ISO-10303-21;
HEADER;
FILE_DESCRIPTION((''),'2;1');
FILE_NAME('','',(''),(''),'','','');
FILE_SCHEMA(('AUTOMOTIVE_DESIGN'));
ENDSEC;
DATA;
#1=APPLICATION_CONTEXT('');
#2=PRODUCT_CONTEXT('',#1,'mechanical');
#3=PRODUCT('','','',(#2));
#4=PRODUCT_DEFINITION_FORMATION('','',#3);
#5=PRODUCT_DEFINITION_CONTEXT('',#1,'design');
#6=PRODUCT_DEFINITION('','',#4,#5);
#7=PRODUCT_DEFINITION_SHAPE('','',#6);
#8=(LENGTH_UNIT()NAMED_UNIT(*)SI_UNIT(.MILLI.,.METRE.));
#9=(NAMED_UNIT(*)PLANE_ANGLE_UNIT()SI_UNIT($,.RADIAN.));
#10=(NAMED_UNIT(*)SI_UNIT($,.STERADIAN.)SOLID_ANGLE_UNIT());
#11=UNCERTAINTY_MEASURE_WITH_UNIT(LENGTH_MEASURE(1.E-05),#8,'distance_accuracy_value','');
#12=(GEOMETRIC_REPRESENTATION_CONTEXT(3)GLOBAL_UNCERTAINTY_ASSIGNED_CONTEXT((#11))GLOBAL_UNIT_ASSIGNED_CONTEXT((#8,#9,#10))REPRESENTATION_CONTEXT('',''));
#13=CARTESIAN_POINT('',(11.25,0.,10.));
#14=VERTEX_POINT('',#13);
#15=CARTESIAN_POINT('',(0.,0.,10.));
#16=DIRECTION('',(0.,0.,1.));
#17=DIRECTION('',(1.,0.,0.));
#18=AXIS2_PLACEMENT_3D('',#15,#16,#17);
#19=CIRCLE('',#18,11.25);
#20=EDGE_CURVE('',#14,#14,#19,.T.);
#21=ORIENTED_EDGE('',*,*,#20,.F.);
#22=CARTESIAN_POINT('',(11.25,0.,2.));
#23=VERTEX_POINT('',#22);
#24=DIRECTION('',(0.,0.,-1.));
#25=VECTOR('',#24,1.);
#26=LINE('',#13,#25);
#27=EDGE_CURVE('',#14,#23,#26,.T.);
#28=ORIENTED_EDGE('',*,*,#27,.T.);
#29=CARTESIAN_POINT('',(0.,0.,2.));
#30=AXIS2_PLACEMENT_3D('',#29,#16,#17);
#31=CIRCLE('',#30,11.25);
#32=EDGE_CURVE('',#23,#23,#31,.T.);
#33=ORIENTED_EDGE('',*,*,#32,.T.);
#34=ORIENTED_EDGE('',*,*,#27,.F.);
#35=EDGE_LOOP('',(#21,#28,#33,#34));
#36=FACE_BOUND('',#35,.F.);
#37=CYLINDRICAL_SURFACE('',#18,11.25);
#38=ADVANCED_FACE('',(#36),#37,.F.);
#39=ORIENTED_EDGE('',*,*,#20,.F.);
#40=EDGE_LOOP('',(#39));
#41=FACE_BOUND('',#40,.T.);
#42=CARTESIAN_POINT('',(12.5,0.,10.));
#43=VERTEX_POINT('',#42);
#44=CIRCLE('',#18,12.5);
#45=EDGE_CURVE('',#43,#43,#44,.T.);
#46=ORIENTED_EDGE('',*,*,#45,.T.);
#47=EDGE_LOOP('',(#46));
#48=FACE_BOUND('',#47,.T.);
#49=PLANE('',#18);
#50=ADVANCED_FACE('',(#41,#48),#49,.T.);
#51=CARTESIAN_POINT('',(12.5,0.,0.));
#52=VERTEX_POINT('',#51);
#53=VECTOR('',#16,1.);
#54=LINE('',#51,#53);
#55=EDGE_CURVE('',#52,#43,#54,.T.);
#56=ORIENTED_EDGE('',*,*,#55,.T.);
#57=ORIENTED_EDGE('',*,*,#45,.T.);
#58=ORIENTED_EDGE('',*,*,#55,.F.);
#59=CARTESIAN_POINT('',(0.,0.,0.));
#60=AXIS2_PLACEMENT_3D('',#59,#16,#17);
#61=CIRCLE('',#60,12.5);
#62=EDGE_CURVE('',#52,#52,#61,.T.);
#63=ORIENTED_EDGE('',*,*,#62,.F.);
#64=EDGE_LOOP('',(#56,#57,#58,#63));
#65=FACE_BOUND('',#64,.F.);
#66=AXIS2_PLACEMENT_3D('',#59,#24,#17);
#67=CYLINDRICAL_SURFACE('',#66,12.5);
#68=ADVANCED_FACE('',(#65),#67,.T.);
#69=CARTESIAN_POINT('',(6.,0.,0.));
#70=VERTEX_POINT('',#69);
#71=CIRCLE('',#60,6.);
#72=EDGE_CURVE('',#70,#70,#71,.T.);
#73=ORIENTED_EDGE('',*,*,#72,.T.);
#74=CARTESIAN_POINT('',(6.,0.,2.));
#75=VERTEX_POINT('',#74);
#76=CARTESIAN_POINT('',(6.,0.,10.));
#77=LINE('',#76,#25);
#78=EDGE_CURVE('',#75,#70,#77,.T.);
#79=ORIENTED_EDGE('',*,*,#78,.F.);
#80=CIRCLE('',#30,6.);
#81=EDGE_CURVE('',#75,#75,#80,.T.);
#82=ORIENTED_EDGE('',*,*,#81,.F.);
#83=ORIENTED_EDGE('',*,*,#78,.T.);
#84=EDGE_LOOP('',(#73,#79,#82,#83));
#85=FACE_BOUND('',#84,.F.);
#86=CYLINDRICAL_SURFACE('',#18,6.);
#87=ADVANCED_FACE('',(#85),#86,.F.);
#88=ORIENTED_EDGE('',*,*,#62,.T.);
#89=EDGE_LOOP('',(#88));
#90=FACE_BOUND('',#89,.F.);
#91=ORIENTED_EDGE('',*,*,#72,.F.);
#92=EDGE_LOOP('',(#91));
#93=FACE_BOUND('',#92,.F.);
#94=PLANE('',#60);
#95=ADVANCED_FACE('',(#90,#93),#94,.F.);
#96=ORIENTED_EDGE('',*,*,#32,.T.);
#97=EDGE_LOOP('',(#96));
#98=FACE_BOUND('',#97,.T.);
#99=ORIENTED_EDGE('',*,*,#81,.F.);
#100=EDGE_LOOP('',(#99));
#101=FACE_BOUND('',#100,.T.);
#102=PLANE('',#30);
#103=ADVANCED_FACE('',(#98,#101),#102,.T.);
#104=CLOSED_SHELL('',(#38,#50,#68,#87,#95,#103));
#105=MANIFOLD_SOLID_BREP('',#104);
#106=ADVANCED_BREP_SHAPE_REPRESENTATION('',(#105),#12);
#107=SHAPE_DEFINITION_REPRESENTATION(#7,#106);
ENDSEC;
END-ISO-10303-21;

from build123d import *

# Parameters (mm, degrees)
F0_R     = 12.5
F1_DEPTH = 10
F2_R     = 6
F3_DEPTH = 25
F2_R_2   = 11.25
F4_DEPTH = 8


with BuildPart() as f1:
    # F0 (on Top) → F1 (new body)
    with BuildSketch(Plane.XY):
        Circle(F0_R)
    extrude(amount=F1_DEPTH)

    # F2 (on face) → F3 (cut)
    with BuildSketch(Plane.XY.offset(10)):
        Circle(F2_R)
    extrude(amount=-F3_DEPTH, mode=Mode.SUBTRACT)

    # F2 (on face) → F4 (cut)
    with BuildSketch(Plane.XY.offset(10)):
        Circle(F2_R_2)
        Circle(F2_R, mode=Mode.SUBTRACT)
    extrude(amount=-F4_DEPTH, mode=Mode.SUBTRACT)


solid = f1.part
